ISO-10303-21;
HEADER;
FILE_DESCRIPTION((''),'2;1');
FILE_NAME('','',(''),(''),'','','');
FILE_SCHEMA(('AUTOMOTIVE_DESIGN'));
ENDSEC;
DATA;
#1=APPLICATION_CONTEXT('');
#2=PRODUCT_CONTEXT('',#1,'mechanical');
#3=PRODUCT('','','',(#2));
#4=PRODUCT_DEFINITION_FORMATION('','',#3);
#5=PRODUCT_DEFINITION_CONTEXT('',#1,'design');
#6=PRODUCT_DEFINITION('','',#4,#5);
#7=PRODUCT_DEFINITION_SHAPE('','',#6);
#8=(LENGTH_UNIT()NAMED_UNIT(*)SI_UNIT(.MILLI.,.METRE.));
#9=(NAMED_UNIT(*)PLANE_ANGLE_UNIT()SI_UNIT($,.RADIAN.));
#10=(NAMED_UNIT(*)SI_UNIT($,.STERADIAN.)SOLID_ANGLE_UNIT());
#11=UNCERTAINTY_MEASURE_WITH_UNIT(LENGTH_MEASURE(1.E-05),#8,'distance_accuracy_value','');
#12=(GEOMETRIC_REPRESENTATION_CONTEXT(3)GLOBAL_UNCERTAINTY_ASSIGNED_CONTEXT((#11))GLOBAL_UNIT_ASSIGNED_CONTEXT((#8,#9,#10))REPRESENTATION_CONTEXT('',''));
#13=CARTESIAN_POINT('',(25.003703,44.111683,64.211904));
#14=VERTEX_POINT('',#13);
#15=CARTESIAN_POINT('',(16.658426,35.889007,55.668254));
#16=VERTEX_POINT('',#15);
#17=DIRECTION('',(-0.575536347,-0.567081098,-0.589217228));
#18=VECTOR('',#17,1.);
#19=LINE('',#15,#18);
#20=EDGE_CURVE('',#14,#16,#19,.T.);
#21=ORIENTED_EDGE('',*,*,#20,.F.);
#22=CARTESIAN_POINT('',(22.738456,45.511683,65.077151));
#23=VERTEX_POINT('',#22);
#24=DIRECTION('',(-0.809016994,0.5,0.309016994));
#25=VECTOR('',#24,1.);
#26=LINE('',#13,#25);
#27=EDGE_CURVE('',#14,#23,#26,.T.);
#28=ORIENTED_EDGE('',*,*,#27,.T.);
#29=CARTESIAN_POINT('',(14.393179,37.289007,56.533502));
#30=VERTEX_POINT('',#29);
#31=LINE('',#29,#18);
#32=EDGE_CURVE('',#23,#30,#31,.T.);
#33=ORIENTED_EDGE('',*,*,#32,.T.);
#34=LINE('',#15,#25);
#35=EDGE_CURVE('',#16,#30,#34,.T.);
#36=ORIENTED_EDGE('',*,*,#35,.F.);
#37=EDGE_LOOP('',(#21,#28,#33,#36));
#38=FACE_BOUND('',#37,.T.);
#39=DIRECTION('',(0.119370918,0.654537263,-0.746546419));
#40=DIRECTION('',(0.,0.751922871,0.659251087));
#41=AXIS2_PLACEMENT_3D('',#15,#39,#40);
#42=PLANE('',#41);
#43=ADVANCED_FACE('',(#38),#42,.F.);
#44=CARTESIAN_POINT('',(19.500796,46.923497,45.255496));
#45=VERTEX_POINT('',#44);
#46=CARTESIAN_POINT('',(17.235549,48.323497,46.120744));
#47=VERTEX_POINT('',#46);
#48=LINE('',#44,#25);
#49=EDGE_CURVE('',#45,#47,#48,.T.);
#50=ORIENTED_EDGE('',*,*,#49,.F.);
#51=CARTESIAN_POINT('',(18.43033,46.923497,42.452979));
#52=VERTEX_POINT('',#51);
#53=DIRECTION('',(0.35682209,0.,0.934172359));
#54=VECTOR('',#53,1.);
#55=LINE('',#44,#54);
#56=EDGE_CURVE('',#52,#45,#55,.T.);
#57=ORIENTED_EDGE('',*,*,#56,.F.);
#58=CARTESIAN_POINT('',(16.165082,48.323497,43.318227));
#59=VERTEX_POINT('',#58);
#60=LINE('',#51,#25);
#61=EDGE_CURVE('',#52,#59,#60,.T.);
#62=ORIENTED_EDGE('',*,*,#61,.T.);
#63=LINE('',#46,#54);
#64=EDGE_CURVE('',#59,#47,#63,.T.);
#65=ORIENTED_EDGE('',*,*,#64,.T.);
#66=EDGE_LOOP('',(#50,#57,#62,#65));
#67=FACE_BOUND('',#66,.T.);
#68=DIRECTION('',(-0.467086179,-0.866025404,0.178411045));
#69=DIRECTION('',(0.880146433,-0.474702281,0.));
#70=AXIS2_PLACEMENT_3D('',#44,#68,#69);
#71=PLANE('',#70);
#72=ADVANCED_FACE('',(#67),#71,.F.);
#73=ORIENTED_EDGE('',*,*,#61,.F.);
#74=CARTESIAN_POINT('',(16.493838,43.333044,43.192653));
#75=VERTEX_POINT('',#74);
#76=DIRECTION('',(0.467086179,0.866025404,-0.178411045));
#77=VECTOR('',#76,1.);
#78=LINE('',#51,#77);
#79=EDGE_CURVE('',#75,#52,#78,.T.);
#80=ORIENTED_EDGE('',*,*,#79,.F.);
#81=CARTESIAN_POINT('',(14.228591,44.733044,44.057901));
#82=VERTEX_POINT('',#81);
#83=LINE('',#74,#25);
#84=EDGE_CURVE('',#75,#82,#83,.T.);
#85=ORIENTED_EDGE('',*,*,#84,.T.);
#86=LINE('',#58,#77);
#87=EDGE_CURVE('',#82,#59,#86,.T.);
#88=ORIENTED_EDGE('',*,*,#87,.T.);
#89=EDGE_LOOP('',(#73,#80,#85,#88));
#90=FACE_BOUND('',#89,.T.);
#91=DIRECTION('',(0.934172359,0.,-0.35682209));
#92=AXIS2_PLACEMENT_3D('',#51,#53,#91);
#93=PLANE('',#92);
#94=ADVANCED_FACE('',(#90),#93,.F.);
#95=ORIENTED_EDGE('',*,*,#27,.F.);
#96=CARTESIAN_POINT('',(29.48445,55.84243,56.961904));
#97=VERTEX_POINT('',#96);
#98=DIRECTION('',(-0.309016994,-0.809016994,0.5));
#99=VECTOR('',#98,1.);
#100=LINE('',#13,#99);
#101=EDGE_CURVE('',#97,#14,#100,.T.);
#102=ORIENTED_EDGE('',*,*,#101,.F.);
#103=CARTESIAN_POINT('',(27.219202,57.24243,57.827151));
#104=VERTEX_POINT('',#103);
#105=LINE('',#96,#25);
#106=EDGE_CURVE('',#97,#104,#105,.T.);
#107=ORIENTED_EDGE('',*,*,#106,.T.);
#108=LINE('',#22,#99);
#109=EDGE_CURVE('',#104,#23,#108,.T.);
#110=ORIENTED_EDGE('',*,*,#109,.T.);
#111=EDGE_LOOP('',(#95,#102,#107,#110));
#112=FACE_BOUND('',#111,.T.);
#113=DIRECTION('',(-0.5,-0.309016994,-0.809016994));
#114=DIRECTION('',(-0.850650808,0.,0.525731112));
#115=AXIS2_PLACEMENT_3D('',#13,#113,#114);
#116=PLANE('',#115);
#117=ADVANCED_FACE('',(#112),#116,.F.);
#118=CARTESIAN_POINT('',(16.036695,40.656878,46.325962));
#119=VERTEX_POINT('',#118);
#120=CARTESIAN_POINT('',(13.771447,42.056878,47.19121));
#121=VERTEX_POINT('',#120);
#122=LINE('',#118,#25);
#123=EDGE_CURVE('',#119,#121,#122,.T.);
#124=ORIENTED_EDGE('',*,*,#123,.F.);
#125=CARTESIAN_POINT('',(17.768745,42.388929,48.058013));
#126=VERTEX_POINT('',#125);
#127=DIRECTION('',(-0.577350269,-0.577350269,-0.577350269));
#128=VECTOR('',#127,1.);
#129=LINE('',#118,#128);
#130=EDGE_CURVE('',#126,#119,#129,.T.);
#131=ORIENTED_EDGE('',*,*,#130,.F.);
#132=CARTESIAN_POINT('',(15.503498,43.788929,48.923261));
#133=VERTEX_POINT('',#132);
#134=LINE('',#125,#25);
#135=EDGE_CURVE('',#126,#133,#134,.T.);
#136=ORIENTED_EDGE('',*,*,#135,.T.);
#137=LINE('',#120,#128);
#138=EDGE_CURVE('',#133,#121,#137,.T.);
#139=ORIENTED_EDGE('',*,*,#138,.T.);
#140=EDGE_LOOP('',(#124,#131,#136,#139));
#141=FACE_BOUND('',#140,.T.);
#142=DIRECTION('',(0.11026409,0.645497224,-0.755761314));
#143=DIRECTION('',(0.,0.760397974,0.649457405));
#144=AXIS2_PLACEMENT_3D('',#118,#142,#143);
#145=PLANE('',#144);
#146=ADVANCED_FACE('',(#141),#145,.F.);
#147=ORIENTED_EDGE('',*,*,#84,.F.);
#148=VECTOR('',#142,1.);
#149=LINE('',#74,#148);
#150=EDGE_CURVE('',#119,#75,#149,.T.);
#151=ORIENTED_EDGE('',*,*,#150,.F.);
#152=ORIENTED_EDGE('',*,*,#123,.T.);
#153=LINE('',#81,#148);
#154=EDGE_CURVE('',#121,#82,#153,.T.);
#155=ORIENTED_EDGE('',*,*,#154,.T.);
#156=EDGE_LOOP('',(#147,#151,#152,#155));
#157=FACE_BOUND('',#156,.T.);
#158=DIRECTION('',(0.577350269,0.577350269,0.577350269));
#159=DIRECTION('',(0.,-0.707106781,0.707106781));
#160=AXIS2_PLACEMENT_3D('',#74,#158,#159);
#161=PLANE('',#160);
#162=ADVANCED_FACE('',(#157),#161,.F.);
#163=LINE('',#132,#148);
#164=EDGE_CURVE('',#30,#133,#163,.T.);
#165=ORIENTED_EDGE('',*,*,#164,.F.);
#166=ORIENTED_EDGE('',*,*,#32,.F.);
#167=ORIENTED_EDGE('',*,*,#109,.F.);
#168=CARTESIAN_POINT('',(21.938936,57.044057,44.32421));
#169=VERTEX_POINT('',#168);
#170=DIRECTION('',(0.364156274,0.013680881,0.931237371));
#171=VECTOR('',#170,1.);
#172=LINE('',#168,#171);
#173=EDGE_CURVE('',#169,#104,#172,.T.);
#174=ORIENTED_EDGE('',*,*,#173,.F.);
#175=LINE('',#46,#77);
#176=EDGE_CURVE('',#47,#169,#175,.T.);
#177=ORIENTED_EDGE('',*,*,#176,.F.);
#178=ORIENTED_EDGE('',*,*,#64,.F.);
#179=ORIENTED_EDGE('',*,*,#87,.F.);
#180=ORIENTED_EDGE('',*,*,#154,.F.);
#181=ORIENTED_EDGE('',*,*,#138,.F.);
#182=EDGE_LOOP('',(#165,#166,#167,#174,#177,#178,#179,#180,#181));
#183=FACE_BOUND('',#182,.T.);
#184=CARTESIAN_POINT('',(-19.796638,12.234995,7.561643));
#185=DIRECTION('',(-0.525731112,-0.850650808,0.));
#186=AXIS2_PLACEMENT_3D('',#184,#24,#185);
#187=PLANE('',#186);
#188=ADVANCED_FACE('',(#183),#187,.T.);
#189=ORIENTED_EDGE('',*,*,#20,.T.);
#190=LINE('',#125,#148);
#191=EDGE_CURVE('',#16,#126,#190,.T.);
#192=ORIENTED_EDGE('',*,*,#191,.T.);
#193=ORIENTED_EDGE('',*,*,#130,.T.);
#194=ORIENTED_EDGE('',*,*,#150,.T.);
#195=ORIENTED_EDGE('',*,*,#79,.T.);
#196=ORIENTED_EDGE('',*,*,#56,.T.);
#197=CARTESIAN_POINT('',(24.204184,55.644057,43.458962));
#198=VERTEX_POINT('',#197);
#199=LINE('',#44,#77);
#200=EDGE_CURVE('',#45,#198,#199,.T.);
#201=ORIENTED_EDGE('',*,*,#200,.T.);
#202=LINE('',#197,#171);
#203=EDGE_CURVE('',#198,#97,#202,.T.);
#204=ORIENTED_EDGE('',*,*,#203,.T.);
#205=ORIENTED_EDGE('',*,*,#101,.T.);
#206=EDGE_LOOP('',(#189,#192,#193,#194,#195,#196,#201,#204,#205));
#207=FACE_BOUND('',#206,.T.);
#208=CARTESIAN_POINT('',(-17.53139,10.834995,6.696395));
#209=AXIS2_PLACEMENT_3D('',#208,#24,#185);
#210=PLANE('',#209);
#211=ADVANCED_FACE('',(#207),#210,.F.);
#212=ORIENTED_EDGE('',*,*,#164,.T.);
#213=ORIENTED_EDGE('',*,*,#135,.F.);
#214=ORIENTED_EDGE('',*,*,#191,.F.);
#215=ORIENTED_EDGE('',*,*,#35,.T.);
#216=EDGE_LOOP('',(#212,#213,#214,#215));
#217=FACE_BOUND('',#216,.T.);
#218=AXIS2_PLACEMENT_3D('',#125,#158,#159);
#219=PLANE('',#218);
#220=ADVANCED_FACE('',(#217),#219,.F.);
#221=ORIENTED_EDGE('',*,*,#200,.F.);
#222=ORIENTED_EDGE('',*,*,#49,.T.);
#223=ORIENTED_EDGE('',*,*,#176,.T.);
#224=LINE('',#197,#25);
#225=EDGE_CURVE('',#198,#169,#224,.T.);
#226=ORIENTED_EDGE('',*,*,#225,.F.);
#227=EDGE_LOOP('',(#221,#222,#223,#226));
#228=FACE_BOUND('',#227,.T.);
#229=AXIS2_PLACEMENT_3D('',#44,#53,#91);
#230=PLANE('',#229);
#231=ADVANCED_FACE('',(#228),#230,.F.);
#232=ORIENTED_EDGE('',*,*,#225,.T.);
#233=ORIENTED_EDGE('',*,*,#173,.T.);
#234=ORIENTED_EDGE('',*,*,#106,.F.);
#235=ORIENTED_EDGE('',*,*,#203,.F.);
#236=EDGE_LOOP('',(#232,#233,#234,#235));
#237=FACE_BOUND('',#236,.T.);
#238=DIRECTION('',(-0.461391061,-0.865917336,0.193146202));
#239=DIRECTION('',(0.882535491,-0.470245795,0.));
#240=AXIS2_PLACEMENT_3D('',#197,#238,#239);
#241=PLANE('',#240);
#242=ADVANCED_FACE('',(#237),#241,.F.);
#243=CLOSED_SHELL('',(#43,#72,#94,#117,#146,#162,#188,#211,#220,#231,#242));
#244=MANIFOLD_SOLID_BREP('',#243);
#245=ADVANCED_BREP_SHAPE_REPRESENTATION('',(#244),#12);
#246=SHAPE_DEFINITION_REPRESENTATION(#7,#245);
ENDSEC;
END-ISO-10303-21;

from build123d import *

# Parameters (mm, degrees)
BOSS_EXTRUDE1_DEPTH = 2.8


with BuildPart() as part:
    # Sketch2 → Boss-Extrude1 (new body)
    with BuildSketch(Plane(origin=(-19.796637957, 12.234995121, 7.561642837), x_dir=(-0.262865556, 0.162459848, -0.951056516), z_dir=(0.809016994, -0.5, -0.309016994))):
        Polygon((-40.543437921, 50.167685709), (-37.596697082, 49.604908287), (-38.374436352, 45.532612603), (-41.668992766, 43.015795458), (-43.490178761, 45.399758875), (-51.492059519, 39.286865923), (-60.475384548, 50.668863614), (-52.852283422, 63.003300335), (-38.654450114, 60.058554275), align=None)
    extrude(amount=BOSS_EXTRUDE1_DEPTH)


solid = part.part
